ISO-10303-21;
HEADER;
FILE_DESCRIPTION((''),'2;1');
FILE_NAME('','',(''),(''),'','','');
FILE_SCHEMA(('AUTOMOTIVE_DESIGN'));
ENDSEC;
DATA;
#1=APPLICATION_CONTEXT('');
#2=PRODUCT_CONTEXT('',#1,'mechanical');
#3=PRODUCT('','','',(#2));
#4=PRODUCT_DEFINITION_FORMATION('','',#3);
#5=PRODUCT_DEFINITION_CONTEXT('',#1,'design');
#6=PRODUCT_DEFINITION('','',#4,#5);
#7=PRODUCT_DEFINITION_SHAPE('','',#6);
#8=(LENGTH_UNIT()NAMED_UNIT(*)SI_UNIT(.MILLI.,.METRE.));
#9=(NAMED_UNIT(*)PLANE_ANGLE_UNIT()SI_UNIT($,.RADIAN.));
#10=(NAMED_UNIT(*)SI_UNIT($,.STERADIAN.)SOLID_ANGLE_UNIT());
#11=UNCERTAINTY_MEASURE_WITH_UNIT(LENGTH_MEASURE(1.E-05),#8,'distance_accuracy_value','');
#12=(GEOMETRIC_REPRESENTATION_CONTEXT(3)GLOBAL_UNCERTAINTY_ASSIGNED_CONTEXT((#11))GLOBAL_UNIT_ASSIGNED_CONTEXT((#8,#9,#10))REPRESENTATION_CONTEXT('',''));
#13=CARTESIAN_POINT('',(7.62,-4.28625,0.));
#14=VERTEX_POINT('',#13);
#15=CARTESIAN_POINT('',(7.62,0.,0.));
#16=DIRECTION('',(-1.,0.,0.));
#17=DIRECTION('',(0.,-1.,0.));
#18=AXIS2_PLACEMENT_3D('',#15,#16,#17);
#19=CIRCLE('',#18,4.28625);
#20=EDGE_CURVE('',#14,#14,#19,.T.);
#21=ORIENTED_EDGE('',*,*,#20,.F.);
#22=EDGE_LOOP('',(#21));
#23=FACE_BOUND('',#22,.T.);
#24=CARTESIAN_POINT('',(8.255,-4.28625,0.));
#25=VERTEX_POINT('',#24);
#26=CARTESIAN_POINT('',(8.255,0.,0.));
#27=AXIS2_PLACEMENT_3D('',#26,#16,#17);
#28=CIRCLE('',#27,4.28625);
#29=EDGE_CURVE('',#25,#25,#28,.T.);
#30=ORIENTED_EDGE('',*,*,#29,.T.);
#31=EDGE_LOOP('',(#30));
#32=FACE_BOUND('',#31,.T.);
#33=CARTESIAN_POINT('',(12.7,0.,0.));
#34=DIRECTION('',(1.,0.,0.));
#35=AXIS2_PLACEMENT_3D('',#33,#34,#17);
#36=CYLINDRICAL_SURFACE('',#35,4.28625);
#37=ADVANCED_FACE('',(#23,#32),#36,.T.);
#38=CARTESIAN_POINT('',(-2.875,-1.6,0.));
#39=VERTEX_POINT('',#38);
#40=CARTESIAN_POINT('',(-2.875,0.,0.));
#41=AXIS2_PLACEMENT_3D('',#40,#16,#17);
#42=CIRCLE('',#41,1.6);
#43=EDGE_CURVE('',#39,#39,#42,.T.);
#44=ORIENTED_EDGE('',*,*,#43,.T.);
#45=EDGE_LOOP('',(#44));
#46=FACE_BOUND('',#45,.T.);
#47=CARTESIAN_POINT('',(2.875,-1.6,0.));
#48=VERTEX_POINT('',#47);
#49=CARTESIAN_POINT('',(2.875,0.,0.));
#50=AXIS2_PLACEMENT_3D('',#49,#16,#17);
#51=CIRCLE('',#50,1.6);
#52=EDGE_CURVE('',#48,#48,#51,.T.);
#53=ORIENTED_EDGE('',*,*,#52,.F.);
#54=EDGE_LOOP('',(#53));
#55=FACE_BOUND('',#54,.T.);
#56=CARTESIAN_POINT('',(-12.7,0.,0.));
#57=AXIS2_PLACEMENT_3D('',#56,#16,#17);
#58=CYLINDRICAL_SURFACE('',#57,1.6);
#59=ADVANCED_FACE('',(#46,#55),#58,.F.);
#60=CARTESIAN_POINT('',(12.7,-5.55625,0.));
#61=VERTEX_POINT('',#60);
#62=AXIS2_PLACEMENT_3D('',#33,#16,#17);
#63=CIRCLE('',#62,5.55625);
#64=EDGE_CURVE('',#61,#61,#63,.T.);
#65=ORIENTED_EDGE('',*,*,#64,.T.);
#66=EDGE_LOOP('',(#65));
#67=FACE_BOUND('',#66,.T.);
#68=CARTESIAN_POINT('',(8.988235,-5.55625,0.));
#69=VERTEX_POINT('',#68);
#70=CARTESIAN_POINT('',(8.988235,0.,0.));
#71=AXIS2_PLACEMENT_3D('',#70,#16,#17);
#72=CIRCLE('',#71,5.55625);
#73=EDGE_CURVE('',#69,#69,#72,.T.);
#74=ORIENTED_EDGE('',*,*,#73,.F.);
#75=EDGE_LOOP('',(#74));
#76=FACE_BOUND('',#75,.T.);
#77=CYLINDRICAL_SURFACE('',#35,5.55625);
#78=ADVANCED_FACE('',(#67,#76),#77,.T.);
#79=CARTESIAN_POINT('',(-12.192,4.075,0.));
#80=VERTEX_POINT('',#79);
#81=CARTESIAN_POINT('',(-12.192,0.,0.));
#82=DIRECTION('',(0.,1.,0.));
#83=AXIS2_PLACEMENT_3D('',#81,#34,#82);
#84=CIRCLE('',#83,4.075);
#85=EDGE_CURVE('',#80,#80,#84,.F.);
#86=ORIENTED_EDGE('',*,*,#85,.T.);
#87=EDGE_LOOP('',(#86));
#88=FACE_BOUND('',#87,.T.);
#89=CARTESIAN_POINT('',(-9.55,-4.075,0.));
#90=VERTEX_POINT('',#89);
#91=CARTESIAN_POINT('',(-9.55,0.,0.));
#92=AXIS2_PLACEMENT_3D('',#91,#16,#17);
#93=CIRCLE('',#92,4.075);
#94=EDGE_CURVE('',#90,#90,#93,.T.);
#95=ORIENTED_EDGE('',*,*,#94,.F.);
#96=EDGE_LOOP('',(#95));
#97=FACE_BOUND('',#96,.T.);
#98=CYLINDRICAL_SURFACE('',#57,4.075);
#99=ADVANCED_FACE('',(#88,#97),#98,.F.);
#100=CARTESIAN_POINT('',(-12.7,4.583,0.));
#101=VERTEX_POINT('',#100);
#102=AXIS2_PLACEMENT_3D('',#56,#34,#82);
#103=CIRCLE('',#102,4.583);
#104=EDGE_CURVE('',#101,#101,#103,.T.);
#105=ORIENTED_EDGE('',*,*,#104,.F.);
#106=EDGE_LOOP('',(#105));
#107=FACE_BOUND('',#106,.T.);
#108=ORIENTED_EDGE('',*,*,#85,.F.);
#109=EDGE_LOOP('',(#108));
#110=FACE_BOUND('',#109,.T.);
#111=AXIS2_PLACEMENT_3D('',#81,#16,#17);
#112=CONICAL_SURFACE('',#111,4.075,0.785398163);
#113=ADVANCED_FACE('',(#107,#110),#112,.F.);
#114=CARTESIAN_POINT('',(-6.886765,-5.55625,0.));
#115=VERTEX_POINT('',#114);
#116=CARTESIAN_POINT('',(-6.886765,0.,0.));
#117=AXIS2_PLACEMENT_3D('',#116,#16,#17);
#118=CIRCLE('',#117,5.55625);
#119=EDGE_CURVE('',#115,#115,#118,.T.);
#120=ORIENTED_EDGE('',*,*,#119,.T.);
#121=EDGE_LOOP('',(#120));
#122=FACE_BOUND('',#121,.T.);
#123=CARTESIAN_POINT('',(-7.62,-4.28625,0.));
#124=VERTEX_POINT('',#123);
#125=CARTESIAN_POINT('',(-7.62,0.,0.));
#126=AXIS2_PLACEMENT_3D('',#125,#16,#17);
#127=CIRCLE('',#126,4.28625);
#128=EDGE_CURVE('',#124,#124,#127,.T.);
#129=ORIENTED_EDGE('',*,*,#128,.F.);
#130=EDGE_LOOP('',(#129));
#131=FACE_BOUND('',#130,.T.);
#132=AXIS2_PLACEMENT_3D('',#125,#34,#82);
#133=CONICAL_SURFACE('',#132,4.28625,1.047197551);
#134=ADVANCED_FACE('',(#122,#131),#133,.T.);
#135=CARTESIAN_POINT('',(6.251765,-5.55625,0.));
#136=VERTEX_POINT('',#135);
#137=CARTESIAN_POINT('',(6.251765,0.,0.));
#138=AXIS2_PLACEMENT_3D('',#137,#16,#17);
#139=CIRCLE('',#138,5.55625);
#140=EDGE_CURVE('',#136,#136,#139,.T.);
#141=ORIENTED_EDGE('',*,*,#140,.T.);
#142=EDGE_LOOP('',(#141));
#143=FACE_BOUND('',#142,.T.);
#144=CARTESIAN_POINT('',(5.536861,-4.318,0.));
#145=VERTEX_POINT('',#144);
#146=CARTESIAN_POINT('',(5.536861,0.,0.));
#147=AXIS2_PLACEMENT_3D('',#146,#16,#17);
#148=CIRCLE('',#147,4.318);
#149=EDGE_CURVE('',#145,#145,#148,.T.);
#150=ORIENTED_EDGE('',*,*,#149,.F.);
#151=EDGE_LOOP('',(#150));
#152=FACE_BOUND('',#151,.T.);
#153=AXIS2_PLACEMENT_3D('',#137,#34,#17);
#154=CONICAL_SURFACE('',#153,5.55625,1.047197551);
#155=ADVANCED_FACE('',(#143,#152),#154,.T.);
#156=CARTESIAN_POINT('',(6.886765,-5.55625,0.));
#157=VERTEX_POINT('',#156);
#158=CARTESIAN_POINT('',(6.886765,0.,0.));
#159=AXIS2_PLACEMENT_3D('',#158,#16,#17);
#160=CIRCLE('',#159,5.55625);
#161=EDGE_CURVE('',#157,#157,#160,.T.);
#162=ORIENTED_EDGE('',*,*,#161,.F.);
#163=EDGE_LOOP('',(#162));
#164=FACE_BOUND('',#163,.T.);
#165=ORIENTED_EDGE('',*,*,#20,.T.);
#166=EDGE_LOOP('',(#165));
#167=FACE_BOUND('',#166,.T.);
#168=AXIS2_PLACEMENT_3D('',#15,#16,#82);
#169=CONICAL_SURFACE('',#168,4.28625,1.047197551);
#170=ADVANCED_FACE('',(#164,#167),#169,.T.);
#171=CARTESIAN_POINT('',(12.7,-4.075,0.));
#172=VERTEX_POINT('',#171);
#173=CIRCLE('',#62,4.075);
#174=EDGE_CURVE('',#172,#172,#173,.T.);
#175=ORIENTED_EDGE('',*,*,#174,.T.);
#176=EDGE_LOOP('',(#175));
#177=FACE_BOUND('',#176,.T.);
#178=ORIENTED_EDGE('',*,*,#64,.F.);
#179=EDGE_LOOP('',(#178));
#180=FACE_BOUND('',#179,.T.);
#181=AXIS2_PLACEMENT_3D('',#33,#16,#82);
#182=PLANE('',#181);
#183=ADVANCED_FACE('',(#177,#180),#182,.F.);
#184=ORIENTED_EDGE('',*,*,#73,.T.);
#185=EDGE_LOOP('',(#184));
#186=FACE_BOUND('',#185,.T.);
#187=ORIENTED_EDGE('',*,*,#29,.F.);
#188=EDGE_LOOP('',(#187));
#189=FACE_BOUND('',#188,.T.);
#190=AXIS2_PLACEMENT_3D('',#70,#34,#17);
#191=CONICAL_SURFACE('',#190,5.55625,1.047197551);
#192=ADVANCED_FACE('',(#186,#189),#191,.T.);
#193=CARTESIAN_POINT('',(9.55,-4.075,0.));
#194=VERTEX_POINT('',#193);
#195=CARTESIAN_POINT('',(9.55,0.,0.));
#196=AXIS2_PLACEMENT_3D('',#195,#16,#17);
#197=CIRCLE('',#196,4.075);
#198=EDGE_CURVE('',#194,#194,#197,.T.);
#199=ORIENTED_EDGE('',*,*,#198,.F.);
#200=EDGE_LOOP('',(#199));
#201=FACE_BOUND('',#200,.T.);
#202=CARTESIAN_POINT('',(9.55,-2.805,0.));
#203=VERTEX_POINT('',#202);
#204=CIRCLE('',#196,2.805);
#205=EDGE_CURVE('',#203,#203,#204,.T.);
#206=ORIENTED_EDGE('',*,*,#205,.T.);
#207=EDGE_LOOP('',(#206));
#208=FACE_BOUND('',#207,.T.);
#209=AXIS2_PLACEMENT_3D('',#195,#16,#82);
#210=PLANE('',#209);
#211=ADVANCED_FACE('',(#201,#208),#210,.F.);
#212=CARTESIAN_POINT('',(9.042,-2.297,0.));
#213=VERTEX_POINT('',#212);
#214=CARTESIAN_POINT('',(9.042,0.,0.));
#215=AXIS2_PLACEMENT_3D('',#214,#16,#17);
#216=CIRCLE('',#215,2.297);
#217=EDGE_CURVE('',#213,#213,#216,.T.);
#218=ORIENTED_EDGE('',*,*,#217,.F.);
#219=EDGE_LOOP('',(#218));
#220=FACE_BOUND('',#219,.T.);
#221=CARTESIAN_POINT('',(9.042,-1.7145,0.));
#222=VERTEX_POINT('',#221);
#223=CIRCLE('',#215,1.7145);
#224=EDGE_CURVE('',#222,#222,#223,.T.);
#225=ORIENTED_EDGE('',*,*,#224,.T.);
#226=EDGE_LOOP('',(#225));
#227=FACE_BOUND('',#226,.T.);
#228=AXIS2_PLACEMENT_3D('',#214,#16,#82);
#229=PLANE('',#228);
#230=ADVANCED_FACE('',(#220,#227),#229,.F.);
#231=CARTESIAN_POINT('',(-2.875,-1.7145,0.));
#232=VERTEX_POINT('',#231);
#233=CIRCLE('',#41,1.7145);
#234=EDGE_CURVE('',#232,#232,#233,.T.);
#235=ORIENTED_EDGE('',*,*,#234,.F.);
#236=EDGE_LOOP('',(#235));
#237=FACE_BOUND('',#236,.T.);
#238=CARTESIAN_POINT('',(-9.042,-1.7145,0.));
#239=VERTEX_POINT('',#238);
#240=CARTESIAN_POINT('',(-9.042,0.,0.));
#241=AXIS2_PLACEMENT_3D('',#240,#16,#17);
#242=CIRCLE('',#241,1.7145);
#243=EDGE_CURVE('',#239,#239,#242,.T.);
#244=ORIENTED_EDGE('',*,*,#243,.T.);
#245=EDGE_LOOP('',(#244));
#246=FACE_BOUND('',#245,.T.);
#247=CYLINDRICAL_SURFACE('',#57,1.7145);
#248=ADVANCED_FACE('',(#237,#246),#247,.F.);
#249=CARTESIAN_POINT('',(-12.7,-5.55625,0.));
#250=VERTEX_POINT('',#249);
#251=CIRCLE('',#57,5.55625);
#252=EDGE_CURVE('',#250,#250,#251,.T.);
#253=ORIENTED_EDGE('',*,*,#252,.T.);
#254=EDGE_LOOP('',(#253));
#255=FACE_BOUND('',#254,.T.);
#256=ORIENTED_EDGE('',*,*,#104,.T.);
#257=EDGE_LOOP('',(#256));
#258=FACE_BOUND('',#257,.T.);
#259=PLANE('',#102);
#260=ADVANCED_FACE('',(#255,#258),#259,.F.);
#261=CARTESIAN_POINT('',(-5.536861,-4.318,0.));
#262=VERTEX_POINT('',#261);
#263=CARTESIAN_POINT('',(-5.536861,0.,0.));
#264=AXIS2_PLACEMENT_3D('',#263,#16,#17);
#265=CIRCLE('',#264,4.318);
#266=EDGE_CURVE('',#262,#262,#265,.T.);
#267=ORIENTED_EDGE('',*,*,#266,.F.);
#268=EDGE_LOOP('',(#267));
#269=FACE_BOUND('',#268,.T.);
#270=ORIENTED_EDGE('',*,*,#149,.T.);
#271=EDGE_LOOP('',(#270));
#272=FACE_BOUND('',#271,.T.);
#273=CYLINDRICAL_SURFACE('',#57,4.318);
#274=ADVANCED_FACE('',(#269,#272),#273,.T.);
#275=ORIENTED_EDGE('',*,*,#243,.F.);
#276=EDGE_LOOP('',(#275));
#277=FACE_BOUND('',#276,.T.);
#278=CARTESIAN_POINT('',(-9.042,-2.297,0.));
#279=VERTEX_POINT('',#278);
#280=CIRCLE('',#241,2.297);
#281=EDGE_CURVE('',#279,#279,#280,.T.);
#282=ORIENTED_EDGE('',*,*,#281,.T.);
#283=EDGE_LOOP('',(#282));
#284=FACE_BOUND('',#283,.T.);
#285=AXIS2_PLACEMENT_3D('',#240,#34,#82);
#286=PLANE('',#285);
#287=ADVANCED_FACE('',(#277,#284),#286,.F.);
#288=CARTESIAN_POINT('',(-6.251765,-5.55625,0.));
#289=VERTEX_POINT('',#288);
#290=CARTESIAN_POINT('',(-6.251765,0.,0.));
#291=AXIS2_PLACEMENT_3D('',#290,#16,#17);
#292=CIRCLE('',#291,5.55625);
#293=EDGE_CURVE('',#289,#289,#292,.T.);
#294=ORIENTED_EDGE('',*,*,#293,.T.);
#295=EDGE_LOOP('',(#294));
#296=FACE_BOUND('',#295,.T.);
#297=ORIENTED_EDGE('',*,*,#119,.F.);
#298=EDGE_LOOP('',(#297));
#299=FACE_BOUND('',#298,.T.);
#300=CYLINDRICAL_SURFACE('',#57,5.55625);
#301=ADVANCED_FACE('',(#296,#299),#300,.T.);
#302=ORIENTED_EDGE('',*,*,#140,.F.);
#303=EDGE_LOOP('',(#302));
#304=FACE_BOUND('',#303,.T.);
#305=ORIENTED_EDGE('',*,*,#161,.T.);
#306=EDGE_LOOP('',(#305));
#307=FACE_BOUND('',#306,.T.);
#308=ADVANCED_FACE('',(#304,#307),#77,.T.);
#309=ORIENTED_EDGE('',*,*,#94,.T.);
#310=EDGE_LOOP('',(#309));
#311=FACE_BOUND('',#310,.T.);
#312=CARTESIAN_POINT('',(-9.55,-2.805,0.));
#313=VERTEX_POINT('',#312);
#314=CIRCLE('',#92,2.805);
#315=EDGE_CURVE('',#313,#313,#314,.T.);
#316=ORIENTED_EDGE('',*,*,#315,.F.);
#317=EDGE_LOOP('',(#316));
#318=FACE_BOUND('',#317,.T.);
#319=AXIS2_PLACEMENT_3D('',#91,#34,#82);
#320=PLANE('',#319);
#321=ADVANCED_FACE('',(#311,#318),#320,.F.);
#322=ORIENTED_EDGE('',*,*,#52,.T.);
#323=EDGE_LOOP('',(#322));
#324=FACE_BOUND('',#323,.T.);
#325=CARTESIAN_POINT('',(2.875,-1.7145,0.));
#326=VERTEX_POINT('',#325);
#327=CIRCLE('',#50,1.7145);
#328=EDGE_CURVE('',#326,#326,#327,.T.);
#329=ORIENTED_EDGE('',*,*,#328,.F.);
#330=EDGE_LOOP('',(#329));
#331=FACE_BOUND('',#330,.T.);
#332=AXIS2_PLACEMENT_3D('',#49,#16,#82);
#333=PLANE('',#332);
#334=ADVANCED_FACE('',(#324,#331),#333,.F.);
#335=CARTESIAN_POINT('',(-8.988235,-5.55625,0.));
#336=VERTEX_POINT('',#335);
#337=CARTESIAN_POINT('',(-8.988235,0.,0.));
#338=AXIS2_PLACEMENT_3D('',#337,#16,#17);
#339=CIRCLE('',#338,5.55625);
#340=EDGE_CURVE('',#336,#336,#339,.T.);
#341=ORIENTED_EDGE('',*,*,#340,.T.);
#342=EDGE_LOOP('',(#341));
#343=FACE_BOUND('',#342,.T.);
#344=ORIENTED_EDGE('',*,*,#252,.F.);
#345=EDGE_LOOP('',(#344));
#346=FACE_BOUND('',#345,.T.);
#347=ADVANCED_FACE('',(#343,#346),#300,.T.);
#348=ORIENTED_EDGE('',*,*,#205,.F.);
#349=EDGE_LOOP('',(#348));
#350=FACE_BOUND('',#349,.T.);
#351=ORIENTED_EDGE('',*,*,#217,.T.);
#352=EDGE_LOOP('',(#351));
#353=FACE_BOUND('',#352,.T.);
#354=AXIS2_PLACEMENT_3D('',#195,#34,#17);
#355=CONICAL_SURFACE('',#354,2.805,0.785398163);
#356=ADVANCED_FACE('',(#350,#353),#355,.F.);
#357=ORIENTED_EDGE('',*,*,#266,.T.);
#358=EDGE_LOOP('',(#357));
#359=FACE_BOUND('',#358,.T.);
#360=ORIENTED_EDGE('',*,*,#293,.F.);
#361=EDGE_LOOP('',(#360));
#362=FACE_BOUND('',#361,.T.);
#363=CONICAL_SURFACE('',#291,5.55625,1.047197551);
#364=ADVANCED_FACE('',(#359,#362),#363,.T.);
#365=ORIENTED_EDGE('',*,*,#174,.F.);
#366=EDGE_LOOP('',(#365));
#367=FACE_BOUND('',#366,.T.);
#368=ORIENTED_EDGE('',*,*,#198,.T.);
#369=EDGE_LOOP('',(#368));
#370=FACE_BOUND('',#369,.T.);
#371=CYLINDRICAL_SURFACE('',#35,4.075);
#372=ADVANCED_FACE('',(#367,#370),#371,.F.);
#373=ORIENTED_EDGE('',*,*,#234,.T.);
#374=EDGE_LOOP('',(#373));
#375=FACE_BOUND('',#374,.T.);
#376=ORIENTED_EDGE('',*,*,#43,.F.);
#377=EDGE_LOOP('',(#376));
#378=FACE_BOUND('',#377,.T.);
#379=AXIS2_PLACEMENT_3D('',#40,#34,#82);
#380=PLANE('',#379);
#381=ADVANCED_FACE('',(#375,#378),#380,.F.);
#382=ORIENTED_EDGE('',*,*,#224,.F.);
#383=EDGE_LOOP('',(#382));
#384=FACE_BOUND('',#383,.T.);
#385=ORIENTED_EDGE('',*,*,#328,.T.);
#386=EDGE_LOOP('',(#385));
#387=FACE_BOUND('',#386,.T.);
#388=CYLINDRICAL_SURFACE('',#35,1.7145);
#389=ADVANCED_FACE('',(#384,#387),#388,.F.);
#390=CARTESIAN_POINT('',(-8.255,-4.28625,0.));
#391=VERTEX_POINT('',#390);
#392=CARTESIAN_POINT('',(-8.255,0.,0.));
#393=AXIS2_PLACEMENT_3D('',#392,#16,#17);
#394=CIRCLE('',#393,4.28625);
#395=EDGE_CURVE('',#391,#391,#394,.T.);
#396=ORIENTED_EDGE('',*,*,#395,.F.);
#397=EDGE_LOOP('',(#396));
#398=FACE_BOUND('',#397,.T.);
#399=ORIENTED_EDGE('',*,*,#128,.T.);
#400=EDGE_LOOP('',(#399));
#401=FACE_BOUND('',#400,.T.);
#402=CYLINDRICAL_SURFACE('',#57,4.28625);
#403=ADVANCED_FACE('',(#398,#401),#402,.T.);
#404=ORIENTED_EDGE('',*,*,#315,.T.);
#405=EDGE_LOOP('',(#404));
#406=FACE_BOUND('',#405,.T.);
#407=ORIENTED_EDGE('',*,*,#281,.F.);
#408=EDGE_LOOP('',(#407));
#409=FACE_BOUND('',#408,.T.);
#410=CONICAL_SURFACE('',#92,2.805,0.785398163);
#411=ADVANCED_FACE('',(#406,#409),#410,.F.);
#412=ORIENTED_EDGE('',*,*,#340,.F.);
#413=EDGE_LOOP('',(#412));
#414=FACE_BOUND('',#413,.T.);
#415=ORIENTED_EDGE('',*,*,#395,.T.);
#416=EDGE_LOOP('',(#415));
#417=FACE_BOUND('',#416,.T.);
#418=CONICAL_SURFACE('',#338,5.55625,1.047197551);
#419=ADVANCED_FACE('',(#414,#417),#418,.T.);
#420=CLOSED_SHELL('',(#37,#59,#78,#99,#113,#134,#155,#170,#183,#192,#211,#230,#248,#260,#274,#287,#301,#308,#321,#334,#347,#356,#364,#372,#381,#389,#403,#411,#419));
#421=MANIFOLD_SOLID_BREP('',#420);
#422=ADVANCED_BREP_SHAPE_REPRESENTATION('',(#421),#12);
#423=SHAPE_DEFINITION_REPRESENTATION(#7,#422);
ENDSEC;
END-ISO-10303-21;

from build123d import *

# Parameters (mm, degrees)
CHAMFER1_SIZE = 0.508


with BuildPart() as part:
    # Sketch2 → Revolve1 (revolve)
    with BuildSketch(Plane.XY, mode=Mode.PRIVATE) as revolve1_sk:
        Polygon((-8.988234842, 5.55625), (-12.7, 5.55625), (-12.7, 4.075), (-9.55, 4.075), (-9.55, 2.805), (-9.042, 2.297), (-9.042, 1.7145), (-2.875, 1.7145), (-2.875, 1.6), (0, 1.6), (0, 4.318), (-5.536861187, 4.318), (-6.251765158, 5.55625), (-6.886765158, 5.55625), (-7.62, 4.28625), (-8.255, 4.28625), align=None)
    revolve(revolve1_sk.sketch.rotate(Axis((-12.7, 0, 0), (1, 0, 0)), 180), axis=Axis((-12.7, 0, 0), (1, 0, 0)))

    # Mirror1: part across plane


with BuildPart() as part_1:
    add(part.part)
    add(part.part.mirror(Plane(origin=(0, 0, 0), x_dir=(0, 0, 1), z_dir=(1, 0, 0))))

    # Chamfer1
    chamfer1_edges = [part_1.edges().sort_by_distance(p)[0] for p in [
        (-12.7, 4.075, 0),
    ]]
    chamfer(chamfer1_edges, length=CHAMFER1_SIZE)


solid = part_1.part
